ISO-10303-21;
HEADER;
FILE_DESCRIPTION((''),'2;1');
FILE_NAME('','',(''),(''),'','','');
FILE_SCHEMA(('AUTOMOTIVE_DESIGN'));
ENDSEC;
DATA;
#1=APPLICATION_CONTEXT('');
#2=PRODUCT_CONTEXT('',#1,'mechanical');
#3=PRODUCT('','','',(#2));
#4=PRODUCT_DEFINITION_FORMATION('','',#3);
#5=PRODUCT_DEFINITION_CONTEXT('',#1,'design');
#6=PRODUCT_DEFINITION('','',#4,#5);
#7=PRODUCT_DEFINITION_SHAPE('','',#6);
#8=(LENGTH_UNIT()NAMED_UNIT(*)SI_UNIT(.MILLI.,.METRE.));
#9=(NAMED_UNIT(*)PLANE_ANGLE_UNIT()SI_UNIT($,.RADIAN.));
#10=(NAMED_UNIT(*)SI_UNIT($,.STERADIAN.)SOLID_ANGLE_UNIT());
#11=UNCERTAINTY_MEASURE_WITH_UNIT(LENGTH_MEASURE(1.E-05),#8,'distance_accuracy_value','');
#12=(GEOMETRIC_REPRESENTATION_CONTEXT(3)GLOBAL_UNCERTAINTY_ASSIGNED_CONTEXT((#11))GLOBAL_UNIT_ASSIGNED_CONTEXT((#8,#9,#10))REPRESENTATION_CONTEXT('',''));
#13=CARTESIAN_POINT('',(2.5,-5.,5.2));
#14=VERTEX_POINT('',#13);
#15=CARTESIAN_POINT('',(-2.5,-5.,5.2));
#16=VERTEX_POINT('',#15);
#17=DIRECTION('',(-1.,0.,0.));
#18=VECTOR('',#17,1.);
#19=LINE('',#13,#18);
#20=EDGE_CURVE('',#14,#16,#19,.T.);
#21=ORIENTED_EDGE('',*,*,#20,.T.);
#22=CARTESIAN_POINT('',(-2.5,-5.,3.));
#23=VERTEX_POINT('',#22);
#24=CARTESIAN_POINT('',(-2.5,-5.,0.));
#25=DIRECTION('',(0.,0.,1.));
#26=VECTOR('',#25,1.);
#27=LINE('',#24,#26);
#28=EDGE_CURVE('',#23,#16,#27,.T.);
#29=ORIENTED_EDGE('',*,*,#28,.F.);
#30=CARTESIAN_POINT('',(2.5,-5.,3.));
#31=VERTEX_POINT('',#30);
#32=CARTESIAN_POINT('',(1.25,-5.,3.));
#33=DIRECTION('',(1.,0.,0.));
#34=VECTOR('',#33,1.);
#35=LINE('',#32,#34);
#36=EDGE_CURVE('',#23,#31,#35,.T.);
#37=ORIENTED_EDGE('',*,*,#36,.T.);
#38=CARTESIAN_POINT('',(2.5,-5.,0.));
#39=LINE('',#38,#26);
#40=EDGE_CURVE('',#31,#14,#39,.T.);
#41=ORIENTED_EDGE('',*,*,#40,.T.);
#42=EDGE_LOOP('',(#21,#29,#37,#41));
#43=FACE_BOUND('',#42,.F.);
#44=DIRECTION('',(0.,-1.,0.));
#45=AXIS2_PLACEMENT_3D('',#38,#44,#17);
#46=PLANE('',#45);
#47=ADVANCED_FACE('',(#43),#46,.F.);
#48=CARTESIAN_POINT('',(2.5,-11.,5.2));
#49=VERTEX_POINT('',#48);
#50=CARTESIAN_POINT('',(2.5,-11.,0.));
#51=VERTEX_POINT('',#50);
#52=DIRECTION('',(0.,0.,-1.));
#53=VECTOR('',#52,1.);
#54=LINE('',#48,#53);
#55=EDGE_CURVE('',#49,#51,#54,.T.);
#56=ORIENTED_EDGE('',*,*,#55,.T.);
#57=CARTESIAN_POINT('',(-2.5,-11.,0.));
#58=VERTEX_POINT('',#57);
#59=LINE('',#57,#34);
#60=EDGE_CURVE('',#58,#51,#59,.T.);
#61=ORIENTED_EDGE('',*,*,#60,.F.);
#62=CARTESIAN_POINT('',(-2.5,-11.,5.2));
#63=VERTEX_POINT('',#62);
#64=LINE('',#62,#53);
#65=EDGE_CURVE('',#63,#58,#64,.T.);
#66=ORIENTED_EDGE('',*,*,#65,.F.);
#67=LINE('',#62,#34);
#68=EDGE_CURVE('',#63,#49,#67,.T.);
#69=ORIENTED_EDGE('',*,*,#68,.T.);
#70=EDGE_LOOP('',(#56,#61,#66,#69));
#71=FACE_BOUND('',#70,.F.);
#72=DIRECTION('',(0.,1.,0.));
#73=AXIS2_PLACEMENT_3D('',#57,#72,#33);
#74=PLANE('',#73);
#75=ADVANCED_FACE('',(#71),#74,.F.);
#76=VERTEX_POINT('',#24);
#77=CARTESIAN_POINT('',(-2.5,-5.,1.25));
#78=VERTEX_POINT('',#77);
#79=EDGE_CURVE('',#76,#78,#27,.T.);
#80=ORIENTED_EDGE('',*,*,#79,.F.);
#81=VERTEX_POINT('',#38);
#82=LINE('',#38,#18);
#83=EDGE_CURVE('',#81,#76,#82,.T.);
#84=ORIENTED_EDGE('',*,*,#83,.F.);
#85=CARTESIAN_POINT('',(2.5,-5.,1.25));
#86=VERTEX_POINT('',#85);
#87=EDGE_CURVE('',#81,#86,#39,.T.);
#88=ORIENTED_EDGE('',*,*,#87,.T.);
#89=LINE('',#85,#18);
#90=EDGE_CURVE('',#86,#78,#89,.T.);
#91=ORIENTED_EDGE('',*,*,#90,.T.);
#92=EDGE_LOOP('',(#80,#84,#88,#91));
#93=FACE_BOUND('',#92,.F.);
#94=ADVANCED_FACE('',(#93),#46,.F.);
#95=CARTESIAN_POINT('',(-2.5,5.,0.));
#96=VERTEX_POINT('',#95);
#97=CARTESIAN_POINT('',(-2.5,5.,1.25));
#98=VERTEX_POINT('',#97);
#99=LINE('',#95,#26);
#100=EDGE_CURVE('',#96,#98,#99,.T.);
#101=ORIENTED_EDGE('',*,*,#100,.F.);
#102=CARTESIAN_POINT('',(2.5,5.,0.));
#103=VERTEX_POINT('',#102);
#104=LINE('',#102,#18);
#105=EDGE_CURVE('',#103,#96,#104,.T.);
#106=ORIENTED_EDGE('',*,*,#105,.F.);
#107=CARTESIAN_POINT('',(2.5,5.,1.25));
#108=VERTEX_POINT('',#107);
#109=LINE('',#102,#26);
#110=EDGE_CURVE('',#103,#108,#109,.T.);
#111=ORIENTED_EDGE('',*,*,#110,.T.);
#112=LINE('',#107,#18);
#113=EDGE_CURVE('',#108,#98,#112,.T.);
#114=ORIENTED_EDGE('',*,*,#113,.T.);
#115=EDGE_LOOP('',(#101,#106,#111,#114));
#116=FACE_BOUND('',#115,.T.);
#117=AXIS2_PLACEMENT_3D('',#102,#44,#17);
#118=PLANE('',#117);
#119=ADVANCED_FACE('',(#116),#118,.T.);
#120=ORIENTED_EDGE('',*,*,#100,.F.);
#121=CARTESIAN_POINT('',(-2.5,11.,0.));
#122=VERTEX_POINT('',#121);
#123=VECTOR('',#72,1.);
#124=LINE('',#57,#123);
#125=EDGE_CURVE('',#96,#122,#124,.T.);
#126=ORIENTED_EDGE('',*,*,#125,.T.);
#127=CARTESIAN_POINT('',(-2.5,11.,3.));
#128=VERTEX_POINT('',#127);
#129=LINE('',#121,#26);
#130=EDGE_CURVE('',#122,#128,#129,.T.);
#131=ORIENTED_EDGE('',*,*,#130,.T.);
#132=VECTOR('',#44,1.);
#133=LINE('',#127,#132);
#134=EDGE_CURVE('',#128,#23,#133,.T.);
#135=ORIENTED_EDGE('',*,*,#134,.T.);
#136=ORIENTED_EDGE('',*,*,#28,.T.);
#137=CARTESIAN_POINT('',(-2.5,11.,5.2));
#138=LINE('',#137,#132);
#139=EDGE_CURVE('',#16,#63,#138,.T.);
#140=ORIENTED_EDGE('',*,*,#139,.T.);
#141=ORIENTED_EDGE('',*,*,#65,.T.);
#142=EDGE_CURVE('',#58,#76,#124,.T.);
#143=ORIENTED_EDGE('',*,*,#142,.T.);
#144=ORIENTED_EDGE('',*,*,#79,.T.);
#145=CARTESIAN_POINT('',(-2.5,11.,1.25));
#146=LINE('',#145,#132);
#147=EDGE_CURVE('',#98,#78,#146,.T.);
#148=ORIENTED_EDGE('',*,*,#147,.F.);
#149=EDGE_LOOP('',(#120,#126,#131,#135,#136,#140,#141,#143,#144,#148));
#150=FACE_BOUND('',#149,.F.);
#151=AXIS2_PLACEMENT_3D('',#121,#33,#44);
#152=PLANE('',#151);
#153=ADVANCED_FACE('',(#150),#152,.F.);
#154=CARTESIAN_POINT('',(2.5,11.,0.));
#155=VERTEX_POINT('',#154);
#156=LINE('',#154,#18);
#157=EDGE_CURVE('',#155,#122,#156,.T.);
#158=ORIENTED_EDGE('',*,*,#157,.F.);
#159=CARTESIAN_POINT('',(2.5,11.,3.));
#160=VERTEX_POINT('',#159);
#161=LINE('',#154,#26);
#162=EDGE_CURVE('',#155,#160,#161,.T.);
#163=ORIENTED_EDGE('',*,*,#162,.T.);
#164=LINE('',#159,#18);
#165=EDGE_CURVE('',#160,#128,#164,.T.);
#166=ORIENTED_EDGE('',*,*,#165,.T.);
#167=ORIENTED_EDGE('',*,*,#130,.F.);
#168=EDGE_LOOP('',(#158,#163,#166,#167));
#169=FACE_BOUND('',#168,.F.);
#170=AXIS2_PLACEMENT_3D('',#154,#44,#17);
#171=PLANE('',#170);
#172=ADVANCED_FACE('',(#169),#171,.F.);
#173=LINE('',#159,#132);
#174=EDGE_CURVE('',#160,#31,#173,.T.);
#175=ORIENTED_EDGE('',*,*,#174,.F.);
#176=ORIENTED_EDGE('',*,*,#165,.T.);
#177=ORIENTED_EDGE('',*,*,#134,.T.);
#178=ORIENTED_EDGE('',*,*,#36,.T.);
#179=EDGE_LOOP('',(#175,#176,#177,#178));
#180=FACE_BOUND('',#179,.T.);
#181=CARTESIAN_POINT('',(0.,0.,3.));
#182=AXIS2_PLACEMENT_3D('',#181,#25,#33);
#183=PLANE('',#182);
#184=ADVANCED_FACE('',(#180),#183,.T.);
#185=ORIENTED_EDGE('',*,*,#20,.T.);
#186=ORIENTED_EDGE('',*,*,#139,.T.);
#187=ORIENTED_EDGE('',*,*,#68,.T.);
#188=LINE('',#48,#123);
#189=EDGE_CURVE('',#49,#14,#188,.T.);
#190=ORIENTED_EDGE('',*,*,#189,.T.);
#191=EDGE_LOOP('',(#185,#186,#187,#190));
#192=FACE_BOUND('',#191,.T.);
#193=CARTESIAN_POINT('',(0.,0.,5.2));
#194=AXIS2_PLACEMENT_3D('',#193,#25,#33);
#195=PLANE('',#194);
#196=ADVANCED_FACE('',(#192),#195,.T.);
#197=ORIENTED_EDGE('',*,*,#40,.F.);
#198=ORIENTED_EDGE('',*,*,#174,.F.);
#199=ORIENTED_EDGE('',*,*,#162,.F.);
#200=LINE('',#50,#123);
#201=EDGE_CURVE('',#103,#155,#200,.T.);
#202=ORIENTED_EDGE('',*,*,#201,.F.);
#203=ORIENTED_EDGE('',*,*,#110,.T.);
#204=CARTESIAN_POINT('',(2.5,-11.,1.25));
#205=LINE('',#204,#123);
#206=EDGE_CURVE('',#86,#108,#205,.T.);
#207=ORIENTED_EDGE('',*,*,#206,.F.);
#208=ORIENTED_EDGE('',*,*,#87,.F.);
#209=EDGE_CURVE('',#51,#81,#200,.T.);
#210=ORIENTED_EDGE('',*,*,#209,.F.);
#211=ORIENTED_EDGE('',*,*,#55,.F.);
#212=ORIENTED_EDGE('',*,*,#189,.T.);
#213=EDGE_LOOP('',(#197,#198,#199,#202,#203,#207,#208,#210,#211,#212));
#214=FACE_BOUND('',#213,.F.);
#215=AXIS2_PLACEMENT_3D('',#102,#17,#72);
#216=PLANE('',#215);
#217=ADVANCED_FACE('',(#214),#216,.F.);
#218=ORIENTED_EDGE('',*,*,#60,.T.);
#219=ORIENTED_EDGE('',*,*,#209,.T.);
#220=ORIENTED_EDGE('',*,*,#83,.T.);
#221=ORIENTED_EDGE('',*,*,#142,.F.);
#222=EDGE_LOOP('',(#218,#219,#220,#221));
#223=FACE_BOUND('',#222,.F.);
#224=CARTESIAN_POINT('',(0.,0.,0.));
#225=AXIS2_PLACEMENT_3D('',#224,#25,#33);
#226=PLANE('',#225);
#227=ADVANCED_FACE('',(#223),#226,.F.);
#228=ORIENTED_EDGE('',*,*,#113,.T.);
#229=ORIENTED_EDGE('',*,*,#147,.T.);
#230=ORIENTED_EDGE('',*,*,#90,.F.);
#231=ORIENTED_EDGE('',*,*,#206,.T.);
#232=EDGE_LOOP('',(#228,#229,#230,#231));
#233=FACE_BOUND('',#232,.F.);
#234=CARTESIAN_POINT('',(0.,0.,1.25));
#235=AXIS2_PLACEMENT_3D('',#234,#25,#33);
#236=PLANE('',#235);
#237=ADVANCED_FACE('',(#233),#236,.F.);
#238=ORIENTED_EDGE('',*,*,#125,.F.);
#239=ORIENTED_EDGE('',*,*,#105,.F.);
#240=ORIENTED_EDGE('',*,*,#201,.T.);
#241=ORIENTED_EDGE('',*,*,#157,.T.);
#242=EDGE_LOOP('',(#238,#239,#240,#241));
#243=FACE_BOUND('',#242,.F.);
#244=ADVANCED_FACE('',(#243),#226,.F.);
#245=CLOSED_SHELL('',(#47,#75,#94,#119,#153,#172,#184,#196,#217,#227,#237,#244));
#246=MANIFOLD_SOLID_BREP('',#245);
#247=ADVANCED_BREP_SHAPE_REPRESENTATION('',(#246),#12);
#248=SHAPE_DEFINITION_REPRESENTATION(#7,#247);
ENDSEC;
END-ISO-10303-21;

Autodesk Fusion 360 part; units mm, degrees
sketch "Skizze1" plane through (0, 0, 0) normal (0, 0, 1) x (1, 0, 0)
  line L0 (2.5, 11) -> (-2.5, 11)
  line L1 (-2.5, 11) -> (-2.5, -11)
  line L2 (-2.5, -11) -> (2.5, -11)
  line L3 (2.5, -11) -> (2.5, 11)
  line L4 (2.5, 11) -> (-2.5, -11) construction
  line L5 (-2.5, 11) -> (2.5, -11) construction
  line L6 (-2.5, -11) -> (2.5, -11)
  line L7 (2.5, -11) -> (2.5, -5)
  line L8 (2.5, -5) -> (-2.5, -5)
  line L9 (-2.5, -5) -> (-2.5, -11)
  line L10 (2.5, -5) -> (2.5, 5) construction
  line L11 (2.5, 5) -> (-2.5, 5)
  dimension "d1" = 5
  dimension "d2" = 22
  dimension "d3" = 5
  dimension "d4" = 6
  dimension "d13" = 10
extrude "Extrusion4" add sketch "Skizze1" along normal blind 3
extrude "Extrusion5" add sketch "Skizze1" along normal blind 5.2 contours L1 L2 L3 L6 L7 L8 L9
extrude "Extrusion6" cut sketch "Skizze1" along normal blind 1.25 contours L1 L3 L8 L11
